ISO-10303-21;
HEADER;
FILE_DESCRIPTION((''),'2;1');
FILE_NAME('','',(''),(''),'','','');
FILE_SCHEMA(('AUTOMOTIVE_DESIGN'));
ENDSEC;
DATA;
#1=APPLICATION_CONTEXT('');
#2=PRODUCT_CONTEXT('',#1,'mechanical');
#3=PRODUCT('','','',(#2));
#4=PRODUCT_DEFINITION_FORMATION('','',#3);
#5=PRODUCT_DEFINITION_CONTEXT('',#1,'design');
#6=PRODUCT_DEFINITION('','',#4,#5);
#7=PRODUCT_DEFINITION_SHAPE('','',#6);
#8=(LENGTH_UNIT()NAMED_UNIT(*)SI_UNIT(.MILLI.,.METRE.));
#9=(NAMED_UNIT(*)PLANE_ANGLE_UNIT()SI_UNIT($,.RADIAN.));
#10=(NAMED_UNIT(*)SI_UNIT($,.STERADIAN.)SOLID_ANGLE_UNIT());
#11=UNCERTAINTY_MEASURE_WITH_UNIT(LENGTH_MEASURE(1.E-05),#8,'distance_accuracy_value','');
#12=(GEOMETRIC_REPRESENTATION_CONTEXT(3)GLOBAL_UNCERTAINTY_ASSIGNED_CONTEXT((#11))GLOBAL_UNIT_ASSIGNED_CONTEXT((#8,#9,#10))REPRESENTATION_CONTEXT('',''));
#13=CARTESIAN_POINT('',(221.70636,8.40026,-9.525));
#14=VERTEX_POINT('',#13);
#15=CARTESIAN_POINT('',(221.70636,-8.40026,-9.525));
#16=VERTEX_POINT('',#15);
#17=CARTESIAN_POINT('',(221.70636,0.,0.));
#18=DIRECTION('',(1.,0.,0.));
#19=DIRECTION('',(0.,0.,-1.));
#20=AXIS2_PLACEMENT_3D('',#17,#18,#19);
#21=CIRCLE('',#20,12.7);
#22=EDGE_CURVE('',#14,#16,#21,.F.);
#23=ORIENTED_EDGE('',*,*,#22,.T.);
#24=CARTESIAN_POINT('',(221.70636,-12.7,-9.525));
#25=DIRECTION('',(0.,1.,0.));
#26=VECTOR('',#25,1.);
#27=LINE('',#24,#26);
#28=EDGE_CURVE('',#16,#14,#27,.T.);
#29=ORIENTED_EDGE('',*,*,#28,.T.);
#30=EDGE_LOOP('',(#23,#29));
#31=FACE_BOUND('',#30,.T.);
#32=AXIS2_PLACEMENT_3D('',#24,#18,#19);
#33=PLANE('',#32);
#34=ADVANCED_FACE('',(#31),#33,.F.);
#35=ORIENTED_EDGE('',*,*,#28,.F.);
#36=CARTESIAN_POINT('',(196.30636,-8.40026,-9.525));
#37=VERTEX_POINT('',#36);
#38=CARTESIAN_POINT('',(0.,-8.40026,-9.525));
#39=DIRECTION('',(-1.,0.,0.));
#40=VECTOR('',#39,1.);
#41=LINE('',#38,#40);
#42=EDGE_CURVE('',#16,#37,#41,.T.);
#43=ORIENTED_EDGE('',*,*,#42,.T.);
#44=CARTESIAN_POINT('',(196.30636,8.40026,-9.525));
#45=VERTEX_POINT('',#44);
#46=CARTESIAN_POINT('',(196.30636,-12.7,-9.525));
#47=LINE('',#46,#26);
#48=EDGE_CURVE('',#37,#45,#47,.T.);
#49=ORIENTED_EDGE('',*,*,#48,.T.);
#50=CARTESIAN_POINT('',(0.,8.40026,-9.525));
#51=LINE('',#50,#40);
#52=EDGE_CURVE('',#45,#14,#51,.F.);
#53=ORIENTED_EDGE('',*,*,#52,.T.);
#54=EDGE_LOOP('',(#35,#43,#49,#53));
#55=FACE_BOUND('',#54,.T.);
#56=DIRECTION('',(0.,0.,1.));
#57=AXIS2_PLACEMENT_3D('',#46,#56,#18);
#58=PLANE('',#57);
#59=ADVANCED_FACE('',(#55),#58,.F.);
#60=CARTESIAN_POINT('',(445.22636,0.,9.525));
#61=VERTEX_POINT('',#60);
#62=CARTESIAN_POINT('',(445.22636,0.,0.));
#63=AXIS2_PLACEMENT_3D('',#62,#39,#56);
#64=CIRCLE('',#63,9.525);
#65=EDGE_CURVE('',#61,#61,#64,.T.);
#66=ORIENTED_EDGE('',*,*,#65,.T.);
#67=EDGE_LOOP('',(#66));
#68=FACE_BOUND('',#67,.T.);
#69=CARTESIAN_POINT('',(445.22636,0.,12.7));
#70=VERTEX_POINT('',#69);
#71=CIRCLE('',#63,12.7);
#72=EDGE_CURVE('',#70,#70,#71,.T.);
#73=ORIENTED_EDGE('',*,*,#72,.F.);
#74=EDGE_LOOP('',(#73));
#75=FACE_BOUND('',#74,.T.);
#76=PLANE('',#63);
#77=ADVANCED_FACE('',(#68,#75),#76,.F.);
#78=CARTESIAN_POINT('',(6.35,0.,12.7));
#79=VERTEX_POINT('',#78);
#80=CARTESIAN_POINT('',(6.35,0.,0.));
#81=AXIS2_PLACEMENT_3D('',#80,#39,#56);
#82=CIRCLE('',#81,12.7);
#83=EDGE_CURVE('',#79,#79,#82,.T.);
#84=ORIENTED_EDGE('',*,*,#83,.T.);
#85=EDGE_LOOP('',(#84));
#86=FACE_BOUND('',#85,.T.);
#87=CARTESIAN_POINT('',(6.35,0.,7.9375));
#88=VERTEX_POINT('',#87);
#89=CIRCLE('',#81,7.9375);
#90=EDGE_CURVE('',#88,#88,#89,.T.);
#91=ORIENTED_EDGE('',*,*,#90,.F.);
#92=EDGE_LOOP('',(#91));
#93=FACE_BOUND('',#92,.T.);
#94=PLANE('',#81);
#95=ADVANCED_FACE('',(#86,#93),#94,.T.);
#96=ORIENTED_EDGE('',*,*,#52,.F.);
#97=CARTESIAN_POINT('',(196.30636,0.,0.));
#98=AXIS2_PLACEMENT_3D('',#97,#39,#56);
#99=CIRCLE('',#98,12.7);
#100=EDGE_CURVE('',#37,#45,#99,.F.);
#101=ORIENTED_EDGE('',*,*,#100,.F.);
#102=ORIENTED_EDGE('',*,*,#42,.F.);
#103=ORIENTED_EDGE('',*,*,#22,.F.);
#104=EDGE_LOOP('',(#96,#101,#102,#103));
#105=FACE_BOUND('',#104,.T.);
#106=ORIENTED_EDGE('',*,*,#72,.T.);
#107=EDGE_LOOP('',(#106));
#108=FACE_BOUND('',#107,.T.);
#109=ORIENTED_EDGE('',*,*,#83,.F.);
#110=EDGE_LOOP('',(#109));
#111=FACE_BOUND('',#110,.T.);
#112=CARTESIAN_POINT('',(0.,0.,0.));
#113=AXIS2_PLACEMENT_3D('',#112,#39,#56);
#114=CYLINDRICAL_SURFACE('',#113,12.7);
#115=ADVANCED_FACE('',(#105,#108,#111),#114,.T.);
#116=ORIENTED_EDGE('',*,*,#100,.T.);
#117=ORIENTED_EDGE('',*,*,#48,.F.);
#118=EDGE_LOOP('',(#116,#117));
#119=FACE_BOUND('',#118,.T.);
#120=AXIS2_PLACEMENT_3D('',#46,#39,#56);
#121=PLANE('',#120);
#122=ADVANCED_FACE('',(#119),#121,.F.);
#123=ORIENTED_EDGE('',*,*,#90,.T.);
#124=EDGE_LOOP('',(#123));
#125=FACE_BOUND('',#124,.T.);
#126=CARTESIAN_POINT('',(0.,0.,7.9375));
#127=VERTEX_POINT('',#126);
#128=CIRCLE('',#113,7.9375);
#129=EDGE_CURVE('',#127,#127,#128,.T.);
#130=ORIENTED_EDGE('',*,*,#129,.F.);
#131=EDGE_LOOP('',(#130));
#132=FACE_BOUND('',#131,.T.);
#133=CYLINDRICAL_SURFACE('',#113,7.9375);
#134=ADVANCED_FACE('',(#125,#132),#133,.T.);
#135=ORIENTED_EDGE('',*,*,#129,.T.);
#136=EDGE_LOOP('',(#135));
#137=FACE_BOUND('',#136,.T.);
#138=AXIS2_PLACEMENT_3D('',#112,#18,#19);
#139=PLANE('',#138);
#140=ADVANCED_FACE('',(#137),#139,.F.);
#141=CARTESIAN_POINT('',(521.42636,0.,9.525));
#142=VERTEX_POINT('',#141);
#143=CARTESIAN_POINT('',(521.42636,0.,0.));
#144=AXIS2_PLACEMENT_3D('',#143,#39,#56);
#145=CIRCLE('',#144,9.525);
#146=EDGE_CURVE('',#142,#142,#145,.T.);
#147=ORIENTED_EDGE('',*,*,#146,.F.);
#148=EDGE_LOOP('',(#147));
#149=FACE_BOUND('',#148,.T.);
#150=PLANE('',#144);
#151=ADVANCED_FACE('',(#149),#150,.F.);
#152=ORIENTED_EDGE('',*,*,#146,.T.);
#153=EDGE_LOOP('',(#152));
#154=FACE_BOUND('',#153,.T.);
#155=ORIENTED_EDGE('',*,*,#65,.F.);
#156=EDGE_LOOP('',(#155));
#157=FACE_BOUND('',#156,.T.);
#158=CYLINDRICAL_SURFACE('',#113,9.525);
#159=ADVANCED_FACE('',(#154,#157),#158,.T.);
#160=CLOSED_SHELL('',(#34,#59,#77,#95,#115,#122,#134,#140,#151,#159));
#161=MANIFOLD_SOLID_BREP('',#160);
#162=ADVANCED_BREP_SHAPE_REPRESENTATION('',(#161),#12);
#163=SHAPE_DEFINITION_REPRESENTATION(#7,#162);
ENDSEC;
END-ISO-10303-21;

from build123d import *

# Parameters (mm, degrees)
SKETCH3_W               = 25.4
SKETCH3_H               = 3.175
CUT_EXTRUDE1_DEPTH      = 13.7
CUT_EXTRUDE1_DEPTH_BACK = 13.7


with BuildPart() as part:
    # Sketch2 → Revolve1 (revolve)
    with BuildSketch(Plane(origin=(0, 0, 0), x_dir=(1, 0, 0), z_dir=(0, 1, 0))):
        Polygon((6.35, 7.9375), (6.35, 12.7), (445.226359817, 12.7), (445.226359817, 9.525), (521.426359817, 9.525), (521.426359817, 0), (0, 0), (0, 7.9375), align=None)
    revolve(axis=Axis((0, 0, 0), (1, 0, 0)))

    # Sketch3 → Cut-Extrude1 (cut, two sides)
    with BuildSketch(Plane(origin=(0, 0, 0), x_dir=(1, 0, 0), z_dir=(0, 1, 0))) as cut_extrude1_sk:
        with Locations((209.006359817, 11.1125)):
            Rectangle(SKETCH3_W, SKETCH3_H)
    extrude(amount=CUT_EXTRUDE1_DEPTH, mode=Mode.SUBTRACT)
    extrude(cut_extrude1_sk.sketch, amount=-CUT_EXTRUDE1_DEPTH_BACK, mode=Mode.SUBTRACT)


solid = part.part
